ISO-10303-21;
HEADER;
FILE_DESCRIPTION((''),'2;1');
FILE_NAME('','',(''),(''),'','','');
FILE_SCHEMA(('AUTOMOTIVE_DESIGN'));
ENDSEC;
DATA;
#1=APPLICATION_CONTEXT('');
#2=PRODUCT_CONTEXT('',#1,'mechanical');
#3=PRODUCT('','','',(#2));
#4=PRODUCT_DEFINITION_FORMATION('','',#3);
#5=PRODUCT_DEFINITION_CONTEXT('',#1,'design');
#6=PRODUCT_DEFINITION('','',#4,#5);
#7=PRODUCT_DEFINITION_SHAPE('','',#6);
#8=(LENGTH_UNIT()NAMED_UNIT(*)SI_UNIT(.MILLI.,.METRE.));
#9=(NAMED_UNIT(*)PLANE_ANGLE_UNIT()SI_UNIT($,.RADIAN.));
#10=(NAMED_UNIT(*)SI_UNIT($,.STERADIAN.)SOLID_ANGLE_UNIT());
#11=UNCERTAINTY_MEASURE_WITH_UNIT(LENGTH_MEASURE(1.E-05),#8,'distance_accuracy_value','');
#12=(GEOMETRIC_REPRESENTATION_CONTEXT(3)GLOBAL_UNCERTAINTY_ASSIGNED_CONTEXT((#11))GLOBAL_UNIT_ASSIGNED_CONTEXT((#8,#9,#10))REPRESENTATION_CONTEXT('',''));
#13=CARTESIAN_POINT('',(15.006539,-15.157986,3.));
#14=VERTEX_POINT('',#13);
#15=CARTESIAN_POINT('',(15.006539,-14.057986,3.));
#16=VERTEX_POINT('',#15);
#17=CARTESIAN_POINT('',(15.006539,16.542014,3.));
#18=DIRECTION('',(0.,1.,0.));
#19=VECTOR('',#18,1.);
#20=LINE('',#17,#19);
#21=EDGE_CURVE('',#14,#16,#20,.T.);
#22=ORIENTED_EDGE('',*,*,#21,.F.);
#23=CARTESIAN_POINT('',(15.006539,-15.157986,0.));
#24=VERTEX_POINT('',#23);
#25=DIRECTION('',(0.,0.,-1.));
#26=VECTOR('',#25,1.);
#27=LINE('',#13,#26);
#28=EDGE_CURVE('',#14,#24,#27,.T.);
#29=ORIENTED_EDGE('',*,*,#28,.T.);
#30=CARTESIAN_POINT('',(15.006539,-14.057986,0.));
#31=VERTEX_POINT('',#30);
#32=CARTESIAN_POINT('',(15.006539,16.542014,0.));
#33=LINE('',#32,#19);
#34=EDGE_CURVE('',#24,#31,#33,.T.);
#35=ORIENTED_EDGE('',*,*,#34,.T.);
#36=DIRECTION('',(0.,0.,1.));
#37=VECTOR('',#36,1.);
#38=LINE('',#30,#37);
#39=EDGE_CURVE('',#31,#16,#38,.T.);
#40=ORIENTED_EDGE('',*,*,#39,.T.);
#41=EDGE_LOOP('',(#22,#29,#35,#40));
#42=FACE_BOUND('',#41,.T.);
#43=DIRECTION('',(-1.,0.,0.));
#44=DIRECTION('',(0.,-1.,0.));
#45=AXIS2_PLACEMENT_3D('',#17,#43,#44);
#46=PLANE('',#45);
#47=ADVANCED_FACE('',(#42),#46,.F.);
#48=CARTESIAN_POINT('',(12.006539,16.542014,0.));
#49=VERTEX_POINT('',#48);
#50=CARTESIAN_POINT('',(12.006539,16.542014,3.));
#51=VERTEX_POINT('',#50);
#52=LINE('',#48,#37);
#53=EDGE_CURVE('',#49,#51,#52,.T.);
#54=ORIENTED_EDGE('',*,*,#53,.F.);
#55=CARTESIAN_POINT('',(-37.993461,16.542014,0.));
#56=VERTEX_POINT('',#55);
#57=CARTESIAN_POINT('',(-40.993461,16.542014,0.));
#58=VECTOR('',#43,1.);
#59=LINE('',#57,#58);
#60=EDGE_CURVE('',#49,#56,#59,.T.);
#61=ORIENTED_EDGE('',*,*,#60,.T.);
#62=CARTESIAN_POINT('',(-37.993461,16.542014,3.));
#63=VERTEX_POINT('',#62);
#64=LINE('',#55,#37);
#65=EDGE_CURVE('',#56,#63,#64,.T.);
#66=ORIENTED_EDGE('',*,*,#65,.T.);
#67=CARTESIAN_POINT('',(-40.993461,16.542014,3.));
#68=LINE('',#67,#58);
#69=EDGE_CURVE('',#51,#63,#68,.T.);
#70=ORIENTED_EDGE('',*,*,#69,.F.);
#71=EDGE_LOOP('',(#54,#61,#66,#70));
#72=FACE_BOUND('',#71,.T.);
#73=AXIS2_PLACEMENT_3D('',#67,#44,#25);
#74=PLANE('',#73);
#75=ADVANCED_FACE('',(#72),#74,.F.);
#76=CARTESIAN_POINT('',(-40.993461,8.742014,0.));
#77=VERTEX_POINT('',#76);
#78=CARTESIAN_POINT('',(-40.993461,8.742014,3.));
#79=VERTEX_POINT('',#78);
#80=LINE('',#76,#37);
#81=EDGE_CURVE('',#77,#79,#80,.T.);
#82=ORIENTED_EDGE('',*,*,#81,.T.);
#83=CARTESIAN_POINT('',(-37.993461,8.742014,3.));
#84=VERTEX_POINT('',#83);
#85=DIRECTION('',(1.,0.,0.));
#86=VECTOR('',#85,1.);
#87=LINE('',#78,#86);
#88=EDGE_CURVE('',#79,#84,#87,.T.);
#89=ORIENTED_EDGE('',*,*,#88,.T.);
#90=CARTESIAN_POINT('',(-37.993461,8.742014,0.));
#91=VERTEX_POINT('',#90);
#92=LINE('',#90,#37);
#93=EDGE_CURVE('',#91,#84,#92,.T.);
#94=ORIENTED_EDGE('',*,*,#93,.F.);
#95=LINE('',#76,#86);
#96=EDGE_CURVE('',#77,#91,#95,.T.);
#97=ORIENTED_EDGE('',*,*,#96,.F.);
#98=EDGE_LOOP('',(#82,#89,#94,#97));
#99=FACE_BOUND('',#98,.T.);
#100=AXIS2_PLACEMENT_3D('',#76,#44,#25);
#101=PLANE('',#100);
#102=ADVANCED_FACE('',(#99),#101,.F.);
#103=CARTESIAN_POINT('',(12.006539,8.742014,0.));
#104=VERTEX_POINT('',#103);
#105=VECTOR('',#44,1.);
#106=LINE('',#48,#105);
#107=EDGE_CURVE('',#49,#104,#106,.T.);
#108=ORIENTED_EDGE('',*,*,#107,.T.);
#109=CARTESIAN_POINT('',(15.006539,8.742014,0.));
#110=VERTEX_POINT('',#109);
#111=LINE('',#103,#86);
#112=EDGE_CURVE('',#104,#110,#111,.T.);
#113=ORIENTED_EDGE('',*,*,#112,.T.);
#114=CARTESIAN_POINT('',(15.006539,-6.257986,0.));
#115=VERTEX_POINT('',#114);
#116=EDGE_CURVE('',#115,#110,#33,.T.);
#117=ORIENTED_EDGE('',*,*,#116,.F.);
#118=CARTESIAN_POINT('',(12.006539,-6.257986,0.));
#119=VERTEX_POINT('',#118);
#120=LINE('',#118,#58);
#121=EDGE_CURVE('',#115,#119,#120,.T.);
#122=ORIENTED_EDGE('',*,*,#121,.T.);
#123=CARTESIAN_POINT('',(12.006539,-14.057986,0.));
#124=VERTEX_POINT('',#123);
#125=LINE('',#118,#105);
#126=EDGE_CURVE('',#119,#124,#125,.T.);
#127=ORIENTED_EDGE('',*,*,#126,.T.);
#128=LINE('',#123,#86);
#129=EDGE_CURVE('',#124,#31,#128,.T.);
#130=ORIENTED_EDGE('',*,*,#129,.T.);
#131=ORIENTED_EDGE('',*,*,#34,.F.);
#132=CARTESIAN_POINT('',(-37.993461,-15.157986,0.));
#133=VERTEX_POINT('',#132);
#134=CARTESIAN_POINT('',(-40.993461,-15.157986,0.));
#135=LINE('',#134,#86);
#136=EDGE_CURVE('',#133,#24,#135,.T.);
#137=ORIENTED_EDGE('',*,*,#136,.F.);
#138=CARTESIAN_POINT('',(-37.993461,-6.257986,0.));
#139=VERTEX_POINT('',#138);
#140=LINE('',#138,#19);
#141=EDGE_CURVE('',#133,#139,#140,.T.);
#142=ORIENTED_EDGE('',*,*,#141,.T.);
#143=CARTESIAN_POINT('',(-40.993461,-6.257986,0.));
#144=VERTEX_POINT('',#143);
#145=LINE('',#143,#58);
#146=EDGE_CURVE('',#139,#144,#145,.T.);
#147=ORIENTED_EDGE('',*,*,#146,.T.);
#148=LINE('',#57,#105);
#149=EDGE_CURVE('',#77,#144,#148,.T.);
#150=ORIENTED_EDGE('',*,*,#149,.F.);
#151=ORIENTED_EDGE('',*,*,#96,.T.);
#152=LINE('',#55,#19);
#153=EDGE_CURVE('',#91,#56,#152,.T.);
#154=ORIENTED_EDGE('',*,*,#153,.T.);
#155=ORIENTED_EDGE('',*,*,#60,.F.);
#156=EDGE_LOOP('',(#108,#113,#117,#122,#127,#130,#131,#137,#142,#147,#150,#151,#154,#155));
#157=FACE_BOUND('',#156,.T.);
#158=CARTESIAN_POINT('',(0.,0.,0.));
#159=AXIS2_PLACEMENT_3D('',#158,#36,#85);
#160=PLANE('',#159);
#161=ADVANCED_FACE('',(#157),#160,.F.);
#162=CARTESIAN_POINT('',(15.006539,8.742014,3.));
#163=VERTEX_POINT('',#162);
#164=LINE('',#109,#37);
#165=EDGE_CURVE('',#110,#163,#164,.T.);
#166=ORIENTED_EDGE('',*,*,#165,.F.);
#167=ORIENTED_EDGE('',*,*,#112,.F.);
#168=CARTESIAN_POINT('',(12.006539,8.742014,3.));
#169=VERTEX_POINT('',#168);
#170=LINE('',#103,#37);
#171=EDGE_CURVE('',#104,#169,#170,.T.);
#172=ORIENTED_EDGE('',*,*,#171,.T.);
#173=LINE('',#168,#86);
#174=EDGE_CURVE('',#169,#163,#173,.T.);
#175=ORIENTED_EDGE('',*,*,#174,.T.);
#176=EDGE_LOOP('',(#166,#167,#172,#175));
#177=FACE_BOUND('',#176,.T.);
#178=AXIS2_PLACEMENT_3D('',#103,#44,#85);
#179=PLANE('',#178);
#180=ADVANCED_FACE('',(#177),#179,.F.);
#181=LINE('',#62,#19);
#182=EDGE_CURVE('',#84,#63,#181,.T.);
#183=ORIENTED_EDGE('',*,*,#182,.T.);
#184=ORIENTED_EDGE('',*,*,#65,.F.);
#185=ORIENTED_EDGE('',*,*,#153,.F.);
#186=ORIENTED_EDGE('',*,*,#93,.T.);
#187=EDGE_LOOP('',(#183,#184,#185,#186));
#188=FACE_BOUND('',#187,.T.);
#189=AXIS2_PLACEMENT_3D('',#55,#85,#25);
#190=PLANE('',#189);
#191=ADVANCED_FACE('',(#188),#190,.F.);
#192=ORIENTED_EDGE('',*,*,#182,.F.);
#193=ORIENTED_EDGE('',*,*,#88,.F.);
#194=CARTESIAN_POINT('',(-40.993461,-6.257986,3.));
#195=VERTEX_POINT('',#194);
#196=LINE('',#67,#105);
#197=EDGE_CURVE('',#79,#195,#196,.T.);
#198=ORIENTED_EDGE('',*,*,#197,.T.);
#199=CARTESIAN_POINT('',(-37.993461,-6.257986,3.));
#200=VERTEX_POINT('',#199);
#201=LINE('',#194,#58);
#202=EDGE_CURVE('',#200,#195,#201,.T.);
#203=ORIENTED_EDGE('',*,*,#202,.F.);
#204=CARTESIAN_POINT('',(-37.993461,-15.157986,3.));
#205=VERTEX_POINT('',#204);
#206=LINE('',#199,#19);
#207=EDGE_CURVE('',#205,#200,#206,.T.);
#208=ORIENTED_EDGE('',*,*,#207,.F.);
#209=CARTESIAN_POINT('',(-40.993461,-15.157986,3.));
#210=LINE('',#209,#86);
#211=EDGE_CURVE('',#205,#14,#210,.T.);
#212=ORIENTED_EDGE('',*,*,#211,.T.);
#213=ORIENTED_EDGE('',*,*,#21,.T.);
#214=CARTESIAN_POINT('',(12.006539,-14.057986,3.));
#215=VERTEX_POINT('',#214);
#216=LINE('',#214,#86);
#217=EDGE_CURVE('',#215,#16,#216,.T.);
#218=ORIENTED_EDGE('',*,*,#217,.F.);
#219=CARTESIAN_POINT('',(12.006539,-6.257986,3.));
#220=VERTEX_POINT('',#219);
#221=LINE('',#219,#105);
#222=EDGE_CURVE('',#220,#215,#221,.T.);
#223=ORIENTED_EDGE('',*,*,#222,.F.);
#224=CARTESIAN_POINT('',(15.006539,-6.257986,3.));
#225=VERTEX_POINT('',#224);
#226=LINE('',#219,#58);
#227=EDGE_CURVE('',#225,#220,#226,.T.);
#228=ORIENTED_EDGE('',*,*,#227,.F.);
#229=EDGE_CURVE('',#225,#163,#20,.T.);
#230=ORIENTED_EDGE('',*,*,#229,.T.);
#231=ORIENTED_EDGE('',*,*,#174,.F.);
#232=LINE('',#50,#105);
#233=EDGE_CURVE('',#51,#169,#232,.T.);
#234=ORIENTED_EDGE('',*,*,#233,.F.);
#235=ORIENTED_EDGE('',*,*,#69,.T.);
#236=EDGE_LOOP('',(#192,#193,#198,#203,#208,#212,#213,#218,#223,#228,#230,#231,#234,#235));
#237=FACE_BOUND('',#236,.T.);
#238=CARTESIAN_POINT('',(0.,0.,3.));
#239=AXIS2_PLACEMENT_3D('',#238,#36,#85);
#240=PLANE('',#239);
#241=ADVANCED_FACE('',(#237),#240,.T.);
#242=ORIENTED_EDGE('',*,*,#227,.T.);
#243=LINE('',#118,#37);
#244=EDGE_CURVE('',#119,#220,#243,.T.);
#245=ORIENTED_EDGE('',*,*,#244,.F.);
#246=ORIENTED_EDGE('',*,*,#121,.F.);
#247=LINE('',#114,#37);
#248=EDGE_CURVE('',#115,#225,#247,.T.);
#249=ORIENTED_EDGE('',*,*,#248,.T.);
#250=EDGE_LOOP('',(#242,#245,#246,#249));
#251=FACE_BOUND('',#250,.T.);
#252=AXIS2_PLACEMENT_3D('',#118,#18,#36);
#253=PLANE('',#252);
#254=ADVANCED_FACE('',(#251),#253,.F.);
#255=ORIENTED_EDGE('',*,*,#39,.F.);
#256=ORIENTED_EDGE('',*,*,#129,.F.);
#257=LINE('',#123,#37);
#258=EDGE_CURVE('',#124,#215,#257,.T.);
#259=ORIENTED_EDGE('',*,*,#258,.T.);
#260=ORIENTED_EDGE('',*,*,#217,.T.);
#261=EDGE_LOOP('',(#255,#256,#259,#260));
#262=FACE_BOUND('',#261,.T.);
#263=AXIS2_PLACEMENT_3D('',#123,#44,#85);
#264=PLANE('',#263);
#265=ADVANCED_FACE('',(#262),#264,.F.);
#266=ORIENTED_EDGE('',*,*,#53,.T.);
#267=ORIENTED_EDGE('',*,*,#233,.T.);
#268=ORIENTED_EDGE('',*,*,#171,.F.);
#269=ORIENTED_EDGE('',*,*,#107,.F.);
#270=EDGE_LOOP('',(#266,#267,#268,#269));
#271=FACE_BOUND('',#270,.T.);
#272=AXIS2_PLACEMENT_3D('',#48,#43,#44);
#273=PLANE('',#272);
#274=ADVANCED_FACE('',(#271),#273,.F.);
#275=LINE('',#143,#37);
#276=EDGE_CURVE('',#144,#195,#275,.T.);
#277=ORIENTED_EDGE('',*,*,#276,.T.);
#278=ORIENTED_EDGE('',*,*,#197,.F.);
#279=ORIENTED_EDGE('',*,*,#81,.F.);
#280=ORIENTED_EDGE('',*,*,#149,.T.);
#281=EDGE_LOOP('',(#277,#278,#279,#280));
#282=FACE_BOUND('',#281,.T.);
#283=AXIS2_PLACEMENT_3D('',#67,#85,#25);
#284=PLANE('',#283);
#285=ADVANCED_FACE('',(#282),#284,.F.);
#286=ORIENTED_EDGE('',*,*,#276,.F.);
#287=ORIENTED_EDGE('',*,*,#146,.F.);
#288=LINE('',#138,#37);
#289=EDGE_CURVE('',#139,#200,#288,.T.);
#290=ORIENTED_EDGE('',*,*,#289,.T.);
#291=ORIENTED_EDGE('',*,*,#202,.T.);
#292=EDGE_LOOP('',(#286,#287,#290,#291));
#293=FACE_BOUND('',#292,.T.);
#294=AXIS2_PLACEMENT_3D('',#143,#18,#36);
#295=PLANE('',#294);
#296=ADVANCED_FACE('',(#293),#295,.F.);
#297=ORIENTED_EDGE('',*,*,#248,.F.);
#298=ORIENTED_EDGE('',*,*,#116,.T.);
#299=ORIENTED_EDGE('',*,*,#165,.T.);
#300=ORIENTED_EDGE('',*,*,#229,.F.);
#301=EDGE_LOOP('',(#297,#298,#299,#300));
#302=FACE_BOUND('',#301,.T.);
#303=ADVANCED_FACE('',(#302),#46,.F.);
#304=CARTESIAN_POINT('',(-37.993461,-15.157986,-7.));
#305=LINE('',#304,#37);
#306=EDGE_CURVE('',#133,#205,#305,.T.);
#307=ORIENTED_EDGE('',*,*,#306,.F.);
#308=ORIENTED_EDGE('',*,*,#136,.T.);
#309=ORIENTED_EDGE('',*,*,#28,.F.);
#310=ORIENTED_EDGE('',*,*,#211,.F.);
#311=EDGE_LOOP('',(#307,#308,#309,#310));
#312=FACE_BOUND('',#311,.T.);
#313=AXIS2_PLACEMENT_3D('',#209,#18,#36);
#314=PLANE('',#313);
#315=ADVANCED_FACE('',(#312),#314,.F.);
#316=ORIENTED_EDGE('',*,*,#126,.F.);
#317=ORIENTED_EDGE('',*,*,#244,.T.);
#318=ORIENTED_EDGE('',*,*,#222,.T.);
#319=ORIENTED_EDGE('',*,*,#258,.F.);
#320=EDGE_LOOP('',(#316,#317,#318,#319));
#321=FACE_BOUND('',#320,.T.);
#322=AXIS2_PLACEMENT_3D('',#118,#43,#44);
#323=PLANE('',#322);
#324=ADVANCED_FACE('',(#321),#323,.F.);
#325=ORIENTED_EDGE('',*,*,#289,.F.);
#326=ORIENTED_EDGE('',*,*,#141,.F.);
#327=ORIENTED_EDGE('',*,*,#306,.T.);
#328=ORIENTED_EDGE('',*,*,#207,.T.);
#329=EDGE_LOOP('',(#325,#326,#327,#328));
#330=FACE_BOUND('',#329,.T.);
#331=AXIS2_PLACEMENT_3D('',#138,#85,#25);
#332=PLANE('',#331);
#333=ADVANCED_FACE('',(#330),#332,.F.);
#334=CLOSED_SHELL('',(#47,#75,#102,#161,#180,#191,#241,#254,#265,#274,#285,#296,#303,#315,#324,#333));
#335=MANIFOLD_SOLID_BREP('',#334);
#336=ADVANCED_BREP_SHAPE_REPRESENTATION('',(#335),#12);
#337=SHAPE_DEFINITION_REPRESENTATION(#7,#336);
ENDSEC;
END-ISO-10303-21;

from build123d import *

# Parameters (mm, degrees)
SKETCH1_W           = 56
SKETCH1_H           = 31.7
BOSS_EXTRUDE1_DEPTH = 3
SKETCH2_W           = 3
SKETCH2_H           = 7.8
CUT_EXTRUDE1_DEPTH  = 45.306907356
LPATTERN1_COUNT     = 2
LPATTERN1_PITCH     = 22.8
SKETCH3_W           = 3
SKETCH3_H           = 7.8
CUT_EXTRUDE2_DEPTH  = 45.306907356
LPATTERN2_COUNT     = 4
LPATTERN2_PITCH     = 22.8
SKETCH6_W           = 3
SKETCH6_H           = 1.1
CUT_EXTRUDE3_DEPTH  = 10


with BuildPart() as part:
    # Sketch1 → Boss-Extrude1 (new body)
    with BuildSketch(Plane.XY):
        with Locations((-12.993460648, 0.692013889)):
            Rectangle(SKETCH1_W, SKETCH1_H)
    extrude(amount=BOSS_EXTRUDE1_DEPTH)

    # Sketch2 → Cut-Extrude1 (cut, through all)
    with BuildSketch(Plane.XY.offset(3)):
        with Locations((-39.493460648, 12.642013889)):
            Rectangle(SKETCH2_W, SKETCH2_H)
    cut_extrude1 = extrude(amount=-CUT_EXTRUDE1_DEPTH, mode=Mode.SUBTRACT)

    # LPattern1: Cut-Extrude1 ×2
    with Locations(*[(0, -i * LPATTERN1_PITCH, 0) for i in range(1, LPATTERN1_COUNT)]):
        add(cut_extrude1, mode=Mode.SUBTRACT)

    # Sketch3 → Cut-Extrude2 (cut, through all)
    with BuildSketch(Plane.XY.offset(3)):
        with Locations((13.506539352, 12.642013889)):
            Rectangle(SKETCH3_W, SKETCH3_H)
    cut_extrude2 = extrude(amount=-CUT_EXTRUDE2_DEPTH, mode=Mode.SUBTRACT)

    # LPattern2: Cut-Extrude2 ×4
    with Locations(*[(0, -i * LPATTERN2_PITCH, 0) for i in range(1, LPATTERN2_COUNT)]):
        add(cut_extrude2, mode=Mode.SUBTRACT)

    # Sketch6 → Cut-Extrude3 (cut)
    with BuildSketch(Plane.XY.offset(3)):
        with Locations((-39.493460648, -14.607986111)):
            Rectangle(SKETCH6_W, SKETCH6_H)
    extrude(amount=-CUT_EXTRUDE3_DEPTH, mode=Mode.SUBTRACT)


solid = part.part
